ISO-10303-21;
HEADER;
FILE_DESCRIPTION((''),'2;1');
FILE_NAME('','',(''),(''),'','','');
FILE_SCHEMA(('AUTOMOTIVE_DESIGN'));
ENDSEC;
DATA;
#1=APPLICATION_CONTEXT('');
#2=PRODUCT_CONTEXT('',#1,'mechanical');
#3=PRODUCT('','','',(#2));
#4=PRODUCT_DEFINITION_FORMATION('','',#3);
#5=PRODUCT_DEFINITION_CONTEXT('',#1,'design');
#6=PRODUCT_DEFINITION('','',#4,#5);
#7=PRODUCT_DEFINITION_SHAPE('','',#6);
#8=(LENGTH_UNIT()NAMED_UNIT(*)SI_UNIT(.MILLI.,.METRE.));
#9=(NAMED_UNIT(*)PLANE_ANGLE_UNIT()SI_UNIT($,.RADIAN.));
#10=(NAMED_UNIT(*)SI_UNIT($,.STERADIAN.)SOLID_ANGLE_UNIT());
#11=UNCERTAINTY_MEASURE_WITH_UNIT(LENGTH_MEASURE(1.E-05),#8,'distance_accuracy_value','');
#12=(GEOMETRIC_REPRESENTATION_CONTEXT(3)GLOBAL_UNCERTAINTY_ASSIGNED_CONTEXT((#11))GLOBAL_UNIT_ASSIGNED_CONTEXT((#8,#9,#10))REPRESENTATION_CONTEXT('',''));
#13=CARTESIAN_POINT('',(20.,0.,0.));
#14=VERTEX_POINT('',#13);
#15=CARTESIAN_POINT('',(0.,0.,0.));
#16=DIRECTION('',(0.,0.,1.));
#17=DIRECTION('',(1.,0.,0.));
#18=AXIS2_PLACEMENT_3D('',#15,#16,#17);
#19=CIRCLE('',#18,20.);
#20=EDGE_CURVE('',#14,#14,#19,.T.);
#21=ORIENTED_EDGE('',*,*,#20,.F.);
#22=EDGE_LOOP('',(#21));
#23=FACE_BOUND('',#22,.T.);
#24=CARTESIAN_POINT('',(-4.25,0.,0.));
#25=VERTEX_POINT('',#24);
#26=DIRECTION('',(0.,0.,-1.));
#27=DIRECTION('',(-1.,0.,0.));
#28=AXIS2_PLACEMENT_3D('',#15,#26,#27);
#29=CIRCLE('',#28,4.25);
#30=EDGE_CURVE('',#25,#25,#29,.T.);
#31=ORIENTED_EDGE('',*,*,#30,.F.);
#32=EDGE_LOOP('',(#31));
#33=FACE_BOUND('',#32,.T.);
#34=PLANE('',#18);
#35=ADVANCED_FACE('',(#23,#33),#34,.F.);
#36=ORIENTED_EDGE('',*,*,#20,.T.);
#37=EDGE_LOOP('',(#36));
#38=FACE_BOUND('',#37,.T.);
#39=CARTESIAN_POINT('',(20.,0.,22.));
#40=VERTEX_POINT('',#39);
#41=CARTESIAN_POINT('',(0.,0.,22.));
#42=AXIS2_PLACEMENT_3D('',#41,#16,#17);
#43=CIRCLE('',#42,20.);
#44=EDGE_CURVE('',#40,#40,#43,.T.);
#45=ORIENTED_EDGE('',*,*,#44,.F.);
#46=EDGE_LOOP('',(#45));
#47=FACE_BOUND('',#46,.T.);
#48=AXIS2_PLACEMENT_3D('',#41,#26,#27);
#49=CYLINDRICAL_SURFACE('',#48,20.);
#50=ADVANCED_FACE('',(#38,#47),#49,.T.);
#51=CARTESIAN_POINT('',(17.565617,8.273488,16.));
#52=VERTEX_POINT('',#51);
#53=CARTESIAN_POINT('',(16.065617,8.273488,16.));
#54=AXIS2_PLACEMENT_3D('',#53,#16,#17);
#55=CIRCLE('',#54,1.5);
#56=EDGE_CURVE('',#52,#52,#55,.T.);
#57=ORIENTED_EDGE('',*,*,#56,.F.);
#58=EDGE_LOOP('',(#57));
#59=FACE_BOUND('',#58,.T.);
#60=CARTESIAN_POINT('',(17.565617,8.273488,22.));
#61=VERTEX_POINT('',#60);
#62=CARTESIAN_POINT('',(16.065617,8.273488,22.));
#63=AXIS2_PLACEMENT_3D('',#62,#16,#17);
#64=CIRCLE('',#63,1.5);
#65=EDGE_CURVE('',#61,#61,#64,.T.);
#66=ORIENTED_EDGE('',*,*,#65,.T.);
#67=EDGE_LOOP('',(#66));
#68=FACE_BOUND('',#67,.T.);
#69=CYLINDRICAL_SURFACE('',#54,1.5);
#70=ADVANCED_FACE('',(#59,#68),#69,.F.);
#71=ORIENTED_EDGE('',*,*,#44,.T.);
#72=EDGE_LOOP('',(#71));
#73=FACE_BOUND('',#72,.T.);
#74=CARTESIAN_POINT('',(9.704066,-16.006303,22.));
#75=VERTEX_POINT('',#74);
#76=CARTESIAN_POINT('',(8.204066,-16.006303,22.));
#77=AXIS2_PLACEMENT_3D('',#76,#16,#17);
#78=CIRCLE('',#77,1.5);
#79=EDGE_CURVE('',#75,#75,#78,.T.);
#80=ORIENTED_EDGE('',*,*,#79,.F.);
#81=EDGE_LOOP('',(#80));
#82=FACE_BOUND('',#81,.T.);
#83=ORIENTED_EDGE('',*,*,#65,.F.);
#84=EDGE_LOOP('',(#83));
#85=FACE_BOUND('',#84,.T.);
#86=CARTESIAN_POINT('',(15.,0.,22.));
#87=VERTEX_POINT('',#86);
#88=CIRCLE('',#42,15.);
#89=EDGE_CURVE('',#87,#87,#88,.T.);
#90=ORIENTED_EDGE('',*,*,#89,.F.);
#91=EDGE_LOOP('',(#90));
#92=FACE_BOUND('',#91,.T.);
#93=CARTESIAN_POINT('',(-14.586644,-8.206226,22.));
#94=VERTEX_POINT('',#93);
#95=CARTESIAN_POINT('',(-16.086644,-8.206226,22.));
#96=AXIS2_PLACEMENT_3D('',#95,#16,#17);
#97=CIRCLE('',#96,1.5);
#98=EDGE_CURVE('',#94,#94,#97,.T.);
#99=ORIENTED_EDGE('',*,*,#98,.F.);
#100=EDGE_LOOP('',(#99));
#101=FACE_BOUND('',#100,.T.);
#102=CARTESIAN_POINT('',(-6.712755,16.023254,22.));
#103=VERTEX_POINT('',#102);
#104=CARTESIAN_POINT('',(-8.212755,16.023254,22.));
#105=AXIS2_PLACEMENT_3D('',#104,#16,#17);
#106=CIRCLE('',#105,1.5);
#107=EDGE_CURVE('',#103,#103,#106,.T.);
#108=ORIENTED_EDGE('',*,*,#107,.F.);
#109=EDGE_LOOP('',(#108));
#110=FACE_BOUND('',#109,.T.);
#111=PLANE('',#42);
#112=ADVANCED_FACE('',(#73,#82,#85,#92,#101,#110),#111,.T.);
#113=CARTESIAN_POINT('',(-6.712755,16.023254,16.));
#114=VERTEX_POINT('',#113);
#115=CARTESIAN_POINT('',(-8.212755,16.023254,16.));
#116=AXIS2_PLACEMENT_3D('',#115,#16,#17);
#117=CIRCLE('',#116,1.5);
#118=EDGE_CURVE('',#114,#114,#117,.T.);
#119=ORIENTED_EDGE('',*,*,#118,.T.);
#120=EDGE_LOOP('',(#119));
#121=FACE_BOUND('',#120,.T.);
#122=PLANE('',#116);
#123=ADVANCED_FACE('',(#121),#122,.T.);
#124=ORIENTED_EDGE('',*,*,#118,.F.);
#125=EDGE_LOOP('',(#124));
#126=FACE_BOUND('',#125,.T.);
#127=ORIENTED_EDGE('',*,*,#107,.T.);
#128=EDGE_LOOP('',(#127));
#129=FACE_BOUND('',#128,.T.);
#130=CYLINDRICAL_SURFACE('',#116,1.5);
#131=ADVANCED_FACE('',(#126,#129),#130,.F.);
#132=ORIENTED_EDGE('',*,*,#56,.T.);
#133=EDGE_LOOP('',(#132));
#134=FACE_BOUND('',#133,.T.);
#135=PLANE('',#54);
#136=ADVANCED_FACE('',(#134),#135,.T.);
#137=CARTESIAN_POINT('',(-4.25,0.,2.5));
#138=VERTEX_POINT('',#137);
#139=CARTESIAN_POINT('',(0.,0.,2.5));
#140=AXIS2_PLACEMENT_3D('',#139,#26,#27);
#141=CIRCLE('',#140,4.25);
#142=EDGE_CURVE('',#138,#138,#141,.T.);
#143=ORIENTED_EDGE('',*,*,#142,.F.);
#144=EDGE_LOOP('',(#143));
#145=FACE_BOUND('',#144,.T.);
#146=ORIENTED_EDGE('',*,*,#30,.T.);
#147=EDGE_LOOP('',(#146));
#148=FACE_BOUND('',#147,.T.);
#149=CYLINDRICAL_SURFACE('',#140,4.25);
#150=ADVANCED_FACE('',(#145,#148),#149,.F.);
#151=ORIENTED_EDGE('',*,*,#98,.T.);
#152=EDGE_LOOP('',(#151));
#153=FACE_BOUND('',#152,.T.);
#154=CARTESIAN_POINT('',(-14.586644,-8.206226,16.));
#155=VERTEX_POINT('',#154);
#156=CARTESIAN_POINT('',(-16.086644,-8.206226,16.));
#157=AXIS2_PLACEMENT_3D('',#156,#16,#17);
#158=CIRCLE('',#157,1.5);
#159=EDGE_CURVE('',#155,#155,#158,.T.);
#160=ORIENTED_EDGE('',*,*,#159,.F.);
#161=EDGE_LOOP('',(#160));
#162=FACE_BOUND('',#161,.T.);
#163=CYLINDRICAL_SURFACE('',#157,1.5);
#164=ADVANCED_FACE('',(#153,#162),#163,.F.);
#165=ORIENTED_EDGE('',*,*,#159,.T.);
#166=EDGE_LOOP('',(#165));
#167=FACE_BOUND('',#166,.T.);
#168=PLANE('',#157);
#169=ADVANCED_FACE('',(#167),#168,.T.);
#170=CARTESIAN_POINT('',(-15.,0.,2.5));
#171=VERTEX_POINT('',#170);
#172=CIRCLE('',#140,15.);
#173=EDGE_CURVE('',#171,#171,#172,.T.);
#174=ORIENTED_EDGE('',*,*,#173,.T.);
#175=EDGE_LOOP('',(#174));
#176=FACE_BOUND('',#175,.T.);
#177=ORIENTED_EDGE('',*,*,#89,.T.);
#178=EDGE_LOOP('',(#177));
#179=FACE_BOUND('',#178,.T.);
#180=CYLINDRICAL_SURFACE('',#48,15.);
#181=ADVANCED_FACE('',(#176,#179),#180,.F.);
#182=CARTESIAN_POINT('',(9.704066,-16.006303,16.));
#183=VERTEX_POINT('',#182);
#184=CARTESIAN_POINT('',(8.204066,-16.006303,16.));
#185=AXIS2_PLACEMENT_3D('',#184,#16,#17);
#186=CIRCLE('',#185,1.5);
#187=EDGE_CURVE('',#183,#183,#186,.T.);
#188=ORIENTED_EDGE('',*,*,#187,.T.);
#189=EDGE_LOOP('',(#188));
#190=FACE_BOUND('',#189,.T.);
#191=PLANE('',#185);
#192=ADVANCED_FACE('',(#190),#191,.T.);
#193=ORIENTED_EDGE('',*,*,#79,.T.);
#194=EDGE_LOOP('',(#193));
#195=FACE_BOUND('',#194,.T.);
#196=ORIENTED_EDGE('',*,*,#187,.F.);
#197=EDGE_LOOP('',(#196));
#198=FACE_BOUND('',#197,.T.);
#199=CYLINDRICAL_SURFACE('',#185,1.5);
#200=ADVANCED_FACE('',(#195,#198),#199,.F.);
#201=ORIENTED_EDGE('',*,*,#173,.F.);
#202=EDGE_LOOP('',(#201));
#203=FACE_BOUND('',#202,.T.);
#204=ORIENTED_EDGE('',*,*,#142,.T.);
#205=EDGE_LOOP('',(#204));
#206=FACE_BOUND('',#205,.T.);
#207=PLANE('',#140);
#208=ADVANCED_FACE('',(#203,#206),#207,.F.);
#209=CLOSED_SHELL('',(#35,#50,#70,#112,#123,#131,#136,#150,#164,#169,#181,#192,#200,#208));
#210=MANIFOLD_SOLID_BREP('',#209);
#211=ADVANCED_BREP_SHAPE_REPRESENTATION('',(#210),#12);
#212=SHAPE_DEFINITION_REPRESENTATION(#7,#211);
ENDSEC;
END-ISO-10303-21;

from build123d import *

# Parameters (mm, degrees)
ESQUISSE1_R             = 20
ESQUISSE1_R_2           = 15
BOSS_EXTRU_1_DEPTH      = 22
ESQUISSE5_R             = 15
BOSS_EXTRU_3_DEPTH      = 2.5
ESQUISSE12_R            = 4.25
ENL_V_MAT_EXTRU_2_DEPTH = 2.5
ESQUISSE13_R            = 1.5
ENL_V_MAT_EXTRU_3_DEPTH = 6


with BuildPart() as part:
    # Esquisse1 → Boss.-Extru.1 (new body)
    with BuildSketch(Plane.XY):
        Circle(ESQUISSE1_R)
        Circle(ESQUISSE1_R_2, mode=Mode.SUBTRACT)
    extrude(amount=BOSS_EXTRU_1_DEPTH)

    # Esquisse5 → Boss.-Extru.3 (add)
    with BuildSketch(Plane(origin=(0, 0, 0), x_dir=(-1, 0, 0), z_dir=(0, 0, -1))):
        Circle(ESQUISSE5_R)
    extrude(amount=-BOSS_EXTRU_3_DEPTH)

    # Esquisse12 → Enlèv. mat.-Extru.2 (cut)
    with BuildSketch(Plane(origin=(0, 0, 0), x_dir=(-1, 0, 0), z_dir=(0, 0, -1))):
        Circle(ESQUISSE12_R)
    extrude(amount=-ENL_V_MAT_EXTRU_2_DEPTH, mode=Mode.SUBTRACT)

    # Esquisse13 → Enlèv. mat.-Extru.3 (cut)
    with BuildSketch(Plane.XY.offset(22)):
        with Locations((16.065617012, 8.273487748)):
            Circle(ESQUISSE13_R)
        with Locations((8.204066222, -16.006302524)):
            Circle(ESQUISSE13_R)
        with Locations((-16.086643669, -8.206225502)):
            Circle(ESQUISSE13_R)
        with Locations((-8.212754961, 16.023254434)):
            Circle(ESQUISSE13_R)
    extrude(amount=-ENL_V_MAT_EXTRU_3_DEPTH, mode=Mode.SUBTRACT)


solid = part.part
